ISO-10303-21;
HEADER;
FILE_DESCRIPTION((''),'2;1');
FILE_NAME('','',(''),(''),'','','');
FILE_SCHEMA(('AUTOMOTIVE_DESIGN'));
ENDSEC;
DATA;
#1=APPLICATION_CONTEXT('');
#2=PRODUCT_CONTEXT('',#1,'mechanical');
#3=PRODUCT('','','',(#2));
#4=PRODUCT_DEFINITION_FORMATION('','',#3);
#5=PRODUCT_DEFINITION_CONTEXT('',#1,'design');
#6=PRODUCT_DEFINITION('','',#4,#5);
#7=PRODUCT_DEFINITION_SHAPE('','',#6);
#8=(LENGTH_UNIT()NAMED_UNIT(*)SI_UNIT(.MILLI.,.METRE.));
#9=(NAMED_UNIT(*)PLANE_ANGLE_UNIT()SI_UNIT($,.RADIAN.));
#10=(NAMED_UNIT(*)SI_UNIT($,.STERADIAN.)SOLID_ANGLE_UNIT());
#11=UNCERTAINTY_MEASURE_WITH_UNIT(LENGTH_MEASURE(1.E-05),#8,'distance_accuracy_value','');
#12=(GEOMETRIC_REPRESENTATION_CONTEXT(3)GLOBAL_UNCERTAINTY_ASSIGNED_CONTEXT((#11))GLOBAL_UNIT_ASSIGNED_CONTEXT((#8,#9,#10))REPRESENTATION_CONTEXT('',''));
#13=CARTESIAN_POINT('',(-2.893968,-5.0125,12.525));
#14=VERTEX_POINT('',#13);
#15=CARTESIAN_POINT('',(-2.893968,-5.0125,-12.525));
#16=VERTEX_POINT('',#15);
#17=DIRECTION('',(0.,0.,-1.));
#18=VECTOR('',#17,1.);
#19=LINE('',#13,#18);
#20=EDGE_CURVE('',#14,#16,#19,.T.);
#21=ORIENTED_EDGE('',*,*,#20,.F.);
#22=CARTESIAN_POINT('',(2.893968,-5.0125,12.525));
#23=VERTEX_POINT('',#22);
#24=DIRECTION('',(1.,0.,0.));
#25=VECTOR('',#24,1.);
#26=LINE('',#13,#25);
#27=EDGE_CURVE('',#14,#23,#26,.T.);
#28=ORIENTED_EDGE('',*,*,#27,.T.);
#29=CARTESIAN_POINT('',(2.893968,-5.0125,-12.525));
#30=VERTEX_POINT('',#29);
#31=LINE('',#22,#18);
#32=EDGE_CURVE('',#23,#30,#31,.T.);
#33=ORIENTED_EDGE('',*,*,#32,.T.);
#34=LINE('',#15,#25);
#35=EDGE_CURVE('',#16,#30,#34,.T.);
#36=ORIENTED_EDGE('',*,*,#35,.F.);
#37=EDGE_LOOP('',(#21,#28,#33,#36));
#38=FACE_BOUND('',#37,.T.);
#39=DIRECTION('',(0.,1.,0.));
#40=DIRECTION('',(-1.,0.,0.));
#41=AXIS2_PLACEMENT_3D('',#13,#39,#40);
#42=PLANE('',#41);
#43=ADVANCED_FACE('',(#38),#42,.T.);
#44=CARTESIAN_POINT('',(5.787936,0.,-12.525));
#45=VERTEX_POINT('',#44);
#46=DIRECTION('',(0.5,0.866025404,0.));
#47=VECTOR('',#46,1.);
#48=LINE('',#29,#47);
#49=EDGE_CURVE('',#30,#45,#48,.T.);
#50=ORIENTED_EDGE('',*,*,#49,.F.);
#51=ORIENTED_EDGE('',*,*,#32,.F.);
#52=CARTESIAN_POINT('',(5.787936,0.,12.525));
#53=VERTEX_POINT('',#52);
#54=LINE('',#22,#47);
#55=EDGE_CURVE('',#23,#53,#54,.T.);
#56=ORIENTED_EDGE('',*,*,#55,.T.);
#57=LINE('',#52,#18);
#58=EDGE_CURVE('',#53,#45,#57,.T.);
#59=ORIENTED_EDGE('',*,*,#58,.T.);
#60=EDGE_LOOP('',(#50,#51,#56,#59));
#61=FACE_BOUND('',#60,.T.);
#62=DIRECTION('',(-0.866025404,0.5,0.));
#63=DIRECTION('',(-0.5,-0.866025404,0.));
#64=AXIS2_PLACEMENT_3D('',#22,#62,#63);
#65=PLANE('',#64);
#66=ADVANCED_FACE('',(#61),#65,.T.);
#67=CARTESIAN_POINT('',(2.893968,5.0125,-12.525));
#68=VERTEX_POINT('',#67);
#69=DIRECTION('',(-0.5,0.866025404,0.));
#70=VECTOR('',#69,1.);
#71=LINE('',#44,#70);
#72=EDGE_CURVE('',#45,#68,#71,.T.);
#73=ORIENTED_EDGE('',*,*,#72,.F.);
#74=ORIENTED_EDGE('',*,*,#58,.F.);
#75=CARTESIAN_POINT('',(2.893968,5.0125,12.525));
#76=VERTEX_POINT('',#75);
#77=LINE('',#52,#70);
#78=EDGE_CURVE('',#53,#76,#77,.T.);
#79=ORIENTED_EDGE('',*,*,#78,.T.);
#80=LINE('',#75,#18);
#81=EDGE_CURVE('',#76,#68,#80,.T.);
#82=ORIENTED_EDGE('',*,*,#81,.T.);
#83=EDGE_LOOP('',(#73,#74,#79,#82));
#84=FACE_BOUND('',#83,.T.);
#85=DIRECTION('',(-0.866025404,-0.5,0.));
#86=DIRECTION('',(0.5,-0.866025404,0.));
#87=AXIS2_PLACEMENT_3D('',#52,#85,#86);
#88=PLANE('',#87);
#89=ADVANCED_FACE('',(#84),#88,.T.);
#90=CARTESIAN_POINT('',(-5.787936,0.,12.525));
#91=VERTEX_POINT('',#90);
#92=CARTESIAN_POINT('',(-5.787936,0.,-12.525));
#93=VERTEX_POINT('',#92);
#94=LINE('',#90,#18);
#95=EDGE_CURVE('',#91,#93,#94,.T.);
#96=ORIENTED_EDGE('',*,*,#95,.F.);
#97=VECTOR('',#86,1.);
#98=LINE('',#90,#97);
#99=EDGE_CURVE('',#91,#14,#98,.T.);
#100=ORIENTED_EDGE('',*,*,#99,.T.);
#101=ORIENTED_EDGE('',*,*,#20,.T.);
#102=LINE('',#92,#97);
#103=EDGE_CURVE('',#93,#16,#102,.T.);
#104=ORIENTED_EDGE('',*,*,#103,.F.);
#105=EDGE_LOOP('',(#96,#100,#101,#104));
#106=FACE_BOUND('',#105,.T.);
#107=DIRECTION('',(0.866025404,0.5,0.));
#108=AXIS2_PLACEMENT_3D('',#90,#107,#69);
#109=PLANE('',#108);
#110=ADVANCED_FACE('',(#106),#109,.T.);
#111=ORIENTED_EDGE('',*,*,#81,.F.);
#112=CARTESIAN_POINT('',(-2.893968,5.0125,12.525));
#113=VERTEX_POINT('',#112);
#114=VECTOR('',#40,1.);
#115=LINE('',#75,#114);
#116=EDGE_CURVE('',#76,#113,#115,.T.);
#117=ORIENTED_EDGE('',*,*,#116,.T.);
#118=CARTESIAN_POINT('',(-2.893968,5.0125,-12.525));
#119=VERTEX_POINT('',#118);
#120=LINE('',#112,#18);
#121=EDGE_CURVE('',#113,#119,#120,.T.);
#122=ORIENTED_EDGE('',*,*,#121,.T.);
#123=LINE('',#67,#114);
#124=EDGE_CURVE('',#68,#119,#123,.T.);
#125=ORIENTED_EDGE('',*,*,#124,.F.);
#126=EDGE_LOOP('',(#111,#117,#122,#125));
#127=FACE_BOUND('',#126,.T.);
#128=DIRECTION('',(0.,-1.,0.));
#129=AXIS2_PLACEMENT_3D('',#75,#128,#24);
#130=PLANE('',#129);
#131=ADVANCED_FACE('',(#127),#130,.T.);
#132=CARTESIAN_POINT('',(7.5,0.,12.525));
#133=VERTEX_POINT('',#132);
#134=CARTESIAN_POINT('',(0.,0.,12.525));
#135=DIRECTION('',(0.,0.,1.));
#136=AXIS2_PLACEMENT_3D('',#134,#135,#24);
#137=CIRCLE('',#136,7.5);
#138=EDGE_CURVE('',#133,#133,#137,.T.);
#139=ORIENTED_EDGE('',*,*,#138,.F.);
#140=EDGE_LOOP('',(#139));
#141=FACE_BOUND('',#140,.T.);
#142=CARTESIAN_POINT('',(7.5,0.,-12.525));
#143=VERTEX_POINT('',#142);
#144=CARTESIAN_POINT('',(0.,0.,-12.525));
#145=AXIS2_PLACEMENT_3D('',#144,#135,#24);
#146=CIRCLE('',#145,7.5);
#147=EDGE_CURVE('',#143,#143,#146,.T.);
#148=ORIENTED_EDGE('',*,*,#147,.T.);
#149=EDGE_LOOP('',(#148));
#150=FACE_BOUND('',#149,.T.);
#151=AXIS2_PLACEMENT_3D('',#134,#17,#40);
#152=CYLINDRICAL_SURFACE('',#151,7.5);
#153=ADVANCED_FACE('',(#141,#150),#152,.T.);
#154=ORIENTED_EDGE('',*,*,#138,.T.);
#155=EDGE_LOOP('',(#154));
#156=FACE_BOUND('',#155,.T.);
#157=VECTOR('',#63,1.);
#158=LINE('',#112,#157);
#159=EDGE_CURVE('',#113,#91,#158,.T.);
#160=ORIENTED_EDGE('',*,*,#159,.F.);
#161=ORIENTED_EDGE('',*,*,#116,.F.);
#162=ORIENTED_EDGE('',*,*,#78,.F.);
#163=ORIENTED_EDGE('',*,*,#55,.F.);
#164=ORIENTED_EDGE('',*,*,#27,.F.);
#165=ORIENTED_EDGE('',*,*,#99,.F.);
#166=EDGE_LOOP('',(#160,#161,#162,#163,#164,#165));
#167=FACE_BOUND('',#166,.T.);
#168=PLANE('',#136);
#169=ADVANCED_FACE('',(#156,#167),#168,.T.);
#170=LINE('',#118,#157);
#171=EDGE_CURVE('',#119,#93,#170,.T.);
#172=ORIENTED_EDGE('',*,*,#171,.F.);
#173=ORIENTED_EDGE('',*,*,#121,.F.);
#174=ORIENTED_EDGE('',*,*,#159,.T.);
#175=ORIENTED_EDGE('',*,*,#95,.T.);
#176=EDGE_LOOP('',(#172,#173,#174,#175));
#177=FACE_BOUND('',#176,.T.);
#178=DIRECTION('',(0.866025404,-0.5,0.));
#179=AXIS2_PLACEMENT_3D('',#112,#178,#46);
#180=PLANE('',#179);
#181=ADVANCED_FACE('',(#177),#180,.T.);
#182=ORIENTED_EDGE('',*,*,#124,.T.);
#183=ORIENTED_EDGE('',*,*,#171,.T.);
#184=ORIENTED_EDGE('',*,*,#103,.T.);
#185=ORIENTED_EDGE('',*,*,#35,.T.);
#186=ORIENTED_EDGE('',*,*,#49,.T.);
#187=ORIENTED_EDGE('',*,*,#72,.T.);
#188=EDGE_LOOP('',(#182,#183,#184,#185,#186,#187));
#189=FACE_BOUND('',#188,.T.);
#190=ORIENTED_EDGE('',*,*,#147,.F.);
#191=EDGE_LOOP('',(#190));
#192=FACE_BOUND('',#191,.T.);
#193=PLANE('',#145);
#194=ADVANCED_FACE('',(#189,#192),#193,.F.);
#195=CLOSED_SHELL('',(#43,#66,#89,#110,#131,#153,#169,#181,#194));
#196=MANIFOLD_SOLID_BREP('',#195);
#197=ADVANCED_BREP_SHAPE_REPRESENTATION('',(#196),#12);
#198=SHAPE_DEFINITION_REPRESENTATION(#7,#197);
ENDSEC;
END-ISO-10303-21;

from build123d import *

# Parameters (mm, degrees)
SKETCH1_R           = 7.5
BOSS_EXTRUDE1_DEPTH = 12.525


with BuildPart() as part:
    # Sketch1 → Boss-Extrude1 (new, symmetric)
    with BuildSketch(Plane.XY):
        Circle(SKETCH1_R)
        Polygon((5.787936449, 0), (2.893968224, 5.0125), (-2.893968224, 5.0125), (-5.787936449, 0), (-2.893968224, -5.0125), (2.893968224, -5.0125), align=None, mode=Mode.SUBTRACT)
    extrude(amount=BOSS_EXTRUDE1_DEPTH, both=True)


solid = part.part
